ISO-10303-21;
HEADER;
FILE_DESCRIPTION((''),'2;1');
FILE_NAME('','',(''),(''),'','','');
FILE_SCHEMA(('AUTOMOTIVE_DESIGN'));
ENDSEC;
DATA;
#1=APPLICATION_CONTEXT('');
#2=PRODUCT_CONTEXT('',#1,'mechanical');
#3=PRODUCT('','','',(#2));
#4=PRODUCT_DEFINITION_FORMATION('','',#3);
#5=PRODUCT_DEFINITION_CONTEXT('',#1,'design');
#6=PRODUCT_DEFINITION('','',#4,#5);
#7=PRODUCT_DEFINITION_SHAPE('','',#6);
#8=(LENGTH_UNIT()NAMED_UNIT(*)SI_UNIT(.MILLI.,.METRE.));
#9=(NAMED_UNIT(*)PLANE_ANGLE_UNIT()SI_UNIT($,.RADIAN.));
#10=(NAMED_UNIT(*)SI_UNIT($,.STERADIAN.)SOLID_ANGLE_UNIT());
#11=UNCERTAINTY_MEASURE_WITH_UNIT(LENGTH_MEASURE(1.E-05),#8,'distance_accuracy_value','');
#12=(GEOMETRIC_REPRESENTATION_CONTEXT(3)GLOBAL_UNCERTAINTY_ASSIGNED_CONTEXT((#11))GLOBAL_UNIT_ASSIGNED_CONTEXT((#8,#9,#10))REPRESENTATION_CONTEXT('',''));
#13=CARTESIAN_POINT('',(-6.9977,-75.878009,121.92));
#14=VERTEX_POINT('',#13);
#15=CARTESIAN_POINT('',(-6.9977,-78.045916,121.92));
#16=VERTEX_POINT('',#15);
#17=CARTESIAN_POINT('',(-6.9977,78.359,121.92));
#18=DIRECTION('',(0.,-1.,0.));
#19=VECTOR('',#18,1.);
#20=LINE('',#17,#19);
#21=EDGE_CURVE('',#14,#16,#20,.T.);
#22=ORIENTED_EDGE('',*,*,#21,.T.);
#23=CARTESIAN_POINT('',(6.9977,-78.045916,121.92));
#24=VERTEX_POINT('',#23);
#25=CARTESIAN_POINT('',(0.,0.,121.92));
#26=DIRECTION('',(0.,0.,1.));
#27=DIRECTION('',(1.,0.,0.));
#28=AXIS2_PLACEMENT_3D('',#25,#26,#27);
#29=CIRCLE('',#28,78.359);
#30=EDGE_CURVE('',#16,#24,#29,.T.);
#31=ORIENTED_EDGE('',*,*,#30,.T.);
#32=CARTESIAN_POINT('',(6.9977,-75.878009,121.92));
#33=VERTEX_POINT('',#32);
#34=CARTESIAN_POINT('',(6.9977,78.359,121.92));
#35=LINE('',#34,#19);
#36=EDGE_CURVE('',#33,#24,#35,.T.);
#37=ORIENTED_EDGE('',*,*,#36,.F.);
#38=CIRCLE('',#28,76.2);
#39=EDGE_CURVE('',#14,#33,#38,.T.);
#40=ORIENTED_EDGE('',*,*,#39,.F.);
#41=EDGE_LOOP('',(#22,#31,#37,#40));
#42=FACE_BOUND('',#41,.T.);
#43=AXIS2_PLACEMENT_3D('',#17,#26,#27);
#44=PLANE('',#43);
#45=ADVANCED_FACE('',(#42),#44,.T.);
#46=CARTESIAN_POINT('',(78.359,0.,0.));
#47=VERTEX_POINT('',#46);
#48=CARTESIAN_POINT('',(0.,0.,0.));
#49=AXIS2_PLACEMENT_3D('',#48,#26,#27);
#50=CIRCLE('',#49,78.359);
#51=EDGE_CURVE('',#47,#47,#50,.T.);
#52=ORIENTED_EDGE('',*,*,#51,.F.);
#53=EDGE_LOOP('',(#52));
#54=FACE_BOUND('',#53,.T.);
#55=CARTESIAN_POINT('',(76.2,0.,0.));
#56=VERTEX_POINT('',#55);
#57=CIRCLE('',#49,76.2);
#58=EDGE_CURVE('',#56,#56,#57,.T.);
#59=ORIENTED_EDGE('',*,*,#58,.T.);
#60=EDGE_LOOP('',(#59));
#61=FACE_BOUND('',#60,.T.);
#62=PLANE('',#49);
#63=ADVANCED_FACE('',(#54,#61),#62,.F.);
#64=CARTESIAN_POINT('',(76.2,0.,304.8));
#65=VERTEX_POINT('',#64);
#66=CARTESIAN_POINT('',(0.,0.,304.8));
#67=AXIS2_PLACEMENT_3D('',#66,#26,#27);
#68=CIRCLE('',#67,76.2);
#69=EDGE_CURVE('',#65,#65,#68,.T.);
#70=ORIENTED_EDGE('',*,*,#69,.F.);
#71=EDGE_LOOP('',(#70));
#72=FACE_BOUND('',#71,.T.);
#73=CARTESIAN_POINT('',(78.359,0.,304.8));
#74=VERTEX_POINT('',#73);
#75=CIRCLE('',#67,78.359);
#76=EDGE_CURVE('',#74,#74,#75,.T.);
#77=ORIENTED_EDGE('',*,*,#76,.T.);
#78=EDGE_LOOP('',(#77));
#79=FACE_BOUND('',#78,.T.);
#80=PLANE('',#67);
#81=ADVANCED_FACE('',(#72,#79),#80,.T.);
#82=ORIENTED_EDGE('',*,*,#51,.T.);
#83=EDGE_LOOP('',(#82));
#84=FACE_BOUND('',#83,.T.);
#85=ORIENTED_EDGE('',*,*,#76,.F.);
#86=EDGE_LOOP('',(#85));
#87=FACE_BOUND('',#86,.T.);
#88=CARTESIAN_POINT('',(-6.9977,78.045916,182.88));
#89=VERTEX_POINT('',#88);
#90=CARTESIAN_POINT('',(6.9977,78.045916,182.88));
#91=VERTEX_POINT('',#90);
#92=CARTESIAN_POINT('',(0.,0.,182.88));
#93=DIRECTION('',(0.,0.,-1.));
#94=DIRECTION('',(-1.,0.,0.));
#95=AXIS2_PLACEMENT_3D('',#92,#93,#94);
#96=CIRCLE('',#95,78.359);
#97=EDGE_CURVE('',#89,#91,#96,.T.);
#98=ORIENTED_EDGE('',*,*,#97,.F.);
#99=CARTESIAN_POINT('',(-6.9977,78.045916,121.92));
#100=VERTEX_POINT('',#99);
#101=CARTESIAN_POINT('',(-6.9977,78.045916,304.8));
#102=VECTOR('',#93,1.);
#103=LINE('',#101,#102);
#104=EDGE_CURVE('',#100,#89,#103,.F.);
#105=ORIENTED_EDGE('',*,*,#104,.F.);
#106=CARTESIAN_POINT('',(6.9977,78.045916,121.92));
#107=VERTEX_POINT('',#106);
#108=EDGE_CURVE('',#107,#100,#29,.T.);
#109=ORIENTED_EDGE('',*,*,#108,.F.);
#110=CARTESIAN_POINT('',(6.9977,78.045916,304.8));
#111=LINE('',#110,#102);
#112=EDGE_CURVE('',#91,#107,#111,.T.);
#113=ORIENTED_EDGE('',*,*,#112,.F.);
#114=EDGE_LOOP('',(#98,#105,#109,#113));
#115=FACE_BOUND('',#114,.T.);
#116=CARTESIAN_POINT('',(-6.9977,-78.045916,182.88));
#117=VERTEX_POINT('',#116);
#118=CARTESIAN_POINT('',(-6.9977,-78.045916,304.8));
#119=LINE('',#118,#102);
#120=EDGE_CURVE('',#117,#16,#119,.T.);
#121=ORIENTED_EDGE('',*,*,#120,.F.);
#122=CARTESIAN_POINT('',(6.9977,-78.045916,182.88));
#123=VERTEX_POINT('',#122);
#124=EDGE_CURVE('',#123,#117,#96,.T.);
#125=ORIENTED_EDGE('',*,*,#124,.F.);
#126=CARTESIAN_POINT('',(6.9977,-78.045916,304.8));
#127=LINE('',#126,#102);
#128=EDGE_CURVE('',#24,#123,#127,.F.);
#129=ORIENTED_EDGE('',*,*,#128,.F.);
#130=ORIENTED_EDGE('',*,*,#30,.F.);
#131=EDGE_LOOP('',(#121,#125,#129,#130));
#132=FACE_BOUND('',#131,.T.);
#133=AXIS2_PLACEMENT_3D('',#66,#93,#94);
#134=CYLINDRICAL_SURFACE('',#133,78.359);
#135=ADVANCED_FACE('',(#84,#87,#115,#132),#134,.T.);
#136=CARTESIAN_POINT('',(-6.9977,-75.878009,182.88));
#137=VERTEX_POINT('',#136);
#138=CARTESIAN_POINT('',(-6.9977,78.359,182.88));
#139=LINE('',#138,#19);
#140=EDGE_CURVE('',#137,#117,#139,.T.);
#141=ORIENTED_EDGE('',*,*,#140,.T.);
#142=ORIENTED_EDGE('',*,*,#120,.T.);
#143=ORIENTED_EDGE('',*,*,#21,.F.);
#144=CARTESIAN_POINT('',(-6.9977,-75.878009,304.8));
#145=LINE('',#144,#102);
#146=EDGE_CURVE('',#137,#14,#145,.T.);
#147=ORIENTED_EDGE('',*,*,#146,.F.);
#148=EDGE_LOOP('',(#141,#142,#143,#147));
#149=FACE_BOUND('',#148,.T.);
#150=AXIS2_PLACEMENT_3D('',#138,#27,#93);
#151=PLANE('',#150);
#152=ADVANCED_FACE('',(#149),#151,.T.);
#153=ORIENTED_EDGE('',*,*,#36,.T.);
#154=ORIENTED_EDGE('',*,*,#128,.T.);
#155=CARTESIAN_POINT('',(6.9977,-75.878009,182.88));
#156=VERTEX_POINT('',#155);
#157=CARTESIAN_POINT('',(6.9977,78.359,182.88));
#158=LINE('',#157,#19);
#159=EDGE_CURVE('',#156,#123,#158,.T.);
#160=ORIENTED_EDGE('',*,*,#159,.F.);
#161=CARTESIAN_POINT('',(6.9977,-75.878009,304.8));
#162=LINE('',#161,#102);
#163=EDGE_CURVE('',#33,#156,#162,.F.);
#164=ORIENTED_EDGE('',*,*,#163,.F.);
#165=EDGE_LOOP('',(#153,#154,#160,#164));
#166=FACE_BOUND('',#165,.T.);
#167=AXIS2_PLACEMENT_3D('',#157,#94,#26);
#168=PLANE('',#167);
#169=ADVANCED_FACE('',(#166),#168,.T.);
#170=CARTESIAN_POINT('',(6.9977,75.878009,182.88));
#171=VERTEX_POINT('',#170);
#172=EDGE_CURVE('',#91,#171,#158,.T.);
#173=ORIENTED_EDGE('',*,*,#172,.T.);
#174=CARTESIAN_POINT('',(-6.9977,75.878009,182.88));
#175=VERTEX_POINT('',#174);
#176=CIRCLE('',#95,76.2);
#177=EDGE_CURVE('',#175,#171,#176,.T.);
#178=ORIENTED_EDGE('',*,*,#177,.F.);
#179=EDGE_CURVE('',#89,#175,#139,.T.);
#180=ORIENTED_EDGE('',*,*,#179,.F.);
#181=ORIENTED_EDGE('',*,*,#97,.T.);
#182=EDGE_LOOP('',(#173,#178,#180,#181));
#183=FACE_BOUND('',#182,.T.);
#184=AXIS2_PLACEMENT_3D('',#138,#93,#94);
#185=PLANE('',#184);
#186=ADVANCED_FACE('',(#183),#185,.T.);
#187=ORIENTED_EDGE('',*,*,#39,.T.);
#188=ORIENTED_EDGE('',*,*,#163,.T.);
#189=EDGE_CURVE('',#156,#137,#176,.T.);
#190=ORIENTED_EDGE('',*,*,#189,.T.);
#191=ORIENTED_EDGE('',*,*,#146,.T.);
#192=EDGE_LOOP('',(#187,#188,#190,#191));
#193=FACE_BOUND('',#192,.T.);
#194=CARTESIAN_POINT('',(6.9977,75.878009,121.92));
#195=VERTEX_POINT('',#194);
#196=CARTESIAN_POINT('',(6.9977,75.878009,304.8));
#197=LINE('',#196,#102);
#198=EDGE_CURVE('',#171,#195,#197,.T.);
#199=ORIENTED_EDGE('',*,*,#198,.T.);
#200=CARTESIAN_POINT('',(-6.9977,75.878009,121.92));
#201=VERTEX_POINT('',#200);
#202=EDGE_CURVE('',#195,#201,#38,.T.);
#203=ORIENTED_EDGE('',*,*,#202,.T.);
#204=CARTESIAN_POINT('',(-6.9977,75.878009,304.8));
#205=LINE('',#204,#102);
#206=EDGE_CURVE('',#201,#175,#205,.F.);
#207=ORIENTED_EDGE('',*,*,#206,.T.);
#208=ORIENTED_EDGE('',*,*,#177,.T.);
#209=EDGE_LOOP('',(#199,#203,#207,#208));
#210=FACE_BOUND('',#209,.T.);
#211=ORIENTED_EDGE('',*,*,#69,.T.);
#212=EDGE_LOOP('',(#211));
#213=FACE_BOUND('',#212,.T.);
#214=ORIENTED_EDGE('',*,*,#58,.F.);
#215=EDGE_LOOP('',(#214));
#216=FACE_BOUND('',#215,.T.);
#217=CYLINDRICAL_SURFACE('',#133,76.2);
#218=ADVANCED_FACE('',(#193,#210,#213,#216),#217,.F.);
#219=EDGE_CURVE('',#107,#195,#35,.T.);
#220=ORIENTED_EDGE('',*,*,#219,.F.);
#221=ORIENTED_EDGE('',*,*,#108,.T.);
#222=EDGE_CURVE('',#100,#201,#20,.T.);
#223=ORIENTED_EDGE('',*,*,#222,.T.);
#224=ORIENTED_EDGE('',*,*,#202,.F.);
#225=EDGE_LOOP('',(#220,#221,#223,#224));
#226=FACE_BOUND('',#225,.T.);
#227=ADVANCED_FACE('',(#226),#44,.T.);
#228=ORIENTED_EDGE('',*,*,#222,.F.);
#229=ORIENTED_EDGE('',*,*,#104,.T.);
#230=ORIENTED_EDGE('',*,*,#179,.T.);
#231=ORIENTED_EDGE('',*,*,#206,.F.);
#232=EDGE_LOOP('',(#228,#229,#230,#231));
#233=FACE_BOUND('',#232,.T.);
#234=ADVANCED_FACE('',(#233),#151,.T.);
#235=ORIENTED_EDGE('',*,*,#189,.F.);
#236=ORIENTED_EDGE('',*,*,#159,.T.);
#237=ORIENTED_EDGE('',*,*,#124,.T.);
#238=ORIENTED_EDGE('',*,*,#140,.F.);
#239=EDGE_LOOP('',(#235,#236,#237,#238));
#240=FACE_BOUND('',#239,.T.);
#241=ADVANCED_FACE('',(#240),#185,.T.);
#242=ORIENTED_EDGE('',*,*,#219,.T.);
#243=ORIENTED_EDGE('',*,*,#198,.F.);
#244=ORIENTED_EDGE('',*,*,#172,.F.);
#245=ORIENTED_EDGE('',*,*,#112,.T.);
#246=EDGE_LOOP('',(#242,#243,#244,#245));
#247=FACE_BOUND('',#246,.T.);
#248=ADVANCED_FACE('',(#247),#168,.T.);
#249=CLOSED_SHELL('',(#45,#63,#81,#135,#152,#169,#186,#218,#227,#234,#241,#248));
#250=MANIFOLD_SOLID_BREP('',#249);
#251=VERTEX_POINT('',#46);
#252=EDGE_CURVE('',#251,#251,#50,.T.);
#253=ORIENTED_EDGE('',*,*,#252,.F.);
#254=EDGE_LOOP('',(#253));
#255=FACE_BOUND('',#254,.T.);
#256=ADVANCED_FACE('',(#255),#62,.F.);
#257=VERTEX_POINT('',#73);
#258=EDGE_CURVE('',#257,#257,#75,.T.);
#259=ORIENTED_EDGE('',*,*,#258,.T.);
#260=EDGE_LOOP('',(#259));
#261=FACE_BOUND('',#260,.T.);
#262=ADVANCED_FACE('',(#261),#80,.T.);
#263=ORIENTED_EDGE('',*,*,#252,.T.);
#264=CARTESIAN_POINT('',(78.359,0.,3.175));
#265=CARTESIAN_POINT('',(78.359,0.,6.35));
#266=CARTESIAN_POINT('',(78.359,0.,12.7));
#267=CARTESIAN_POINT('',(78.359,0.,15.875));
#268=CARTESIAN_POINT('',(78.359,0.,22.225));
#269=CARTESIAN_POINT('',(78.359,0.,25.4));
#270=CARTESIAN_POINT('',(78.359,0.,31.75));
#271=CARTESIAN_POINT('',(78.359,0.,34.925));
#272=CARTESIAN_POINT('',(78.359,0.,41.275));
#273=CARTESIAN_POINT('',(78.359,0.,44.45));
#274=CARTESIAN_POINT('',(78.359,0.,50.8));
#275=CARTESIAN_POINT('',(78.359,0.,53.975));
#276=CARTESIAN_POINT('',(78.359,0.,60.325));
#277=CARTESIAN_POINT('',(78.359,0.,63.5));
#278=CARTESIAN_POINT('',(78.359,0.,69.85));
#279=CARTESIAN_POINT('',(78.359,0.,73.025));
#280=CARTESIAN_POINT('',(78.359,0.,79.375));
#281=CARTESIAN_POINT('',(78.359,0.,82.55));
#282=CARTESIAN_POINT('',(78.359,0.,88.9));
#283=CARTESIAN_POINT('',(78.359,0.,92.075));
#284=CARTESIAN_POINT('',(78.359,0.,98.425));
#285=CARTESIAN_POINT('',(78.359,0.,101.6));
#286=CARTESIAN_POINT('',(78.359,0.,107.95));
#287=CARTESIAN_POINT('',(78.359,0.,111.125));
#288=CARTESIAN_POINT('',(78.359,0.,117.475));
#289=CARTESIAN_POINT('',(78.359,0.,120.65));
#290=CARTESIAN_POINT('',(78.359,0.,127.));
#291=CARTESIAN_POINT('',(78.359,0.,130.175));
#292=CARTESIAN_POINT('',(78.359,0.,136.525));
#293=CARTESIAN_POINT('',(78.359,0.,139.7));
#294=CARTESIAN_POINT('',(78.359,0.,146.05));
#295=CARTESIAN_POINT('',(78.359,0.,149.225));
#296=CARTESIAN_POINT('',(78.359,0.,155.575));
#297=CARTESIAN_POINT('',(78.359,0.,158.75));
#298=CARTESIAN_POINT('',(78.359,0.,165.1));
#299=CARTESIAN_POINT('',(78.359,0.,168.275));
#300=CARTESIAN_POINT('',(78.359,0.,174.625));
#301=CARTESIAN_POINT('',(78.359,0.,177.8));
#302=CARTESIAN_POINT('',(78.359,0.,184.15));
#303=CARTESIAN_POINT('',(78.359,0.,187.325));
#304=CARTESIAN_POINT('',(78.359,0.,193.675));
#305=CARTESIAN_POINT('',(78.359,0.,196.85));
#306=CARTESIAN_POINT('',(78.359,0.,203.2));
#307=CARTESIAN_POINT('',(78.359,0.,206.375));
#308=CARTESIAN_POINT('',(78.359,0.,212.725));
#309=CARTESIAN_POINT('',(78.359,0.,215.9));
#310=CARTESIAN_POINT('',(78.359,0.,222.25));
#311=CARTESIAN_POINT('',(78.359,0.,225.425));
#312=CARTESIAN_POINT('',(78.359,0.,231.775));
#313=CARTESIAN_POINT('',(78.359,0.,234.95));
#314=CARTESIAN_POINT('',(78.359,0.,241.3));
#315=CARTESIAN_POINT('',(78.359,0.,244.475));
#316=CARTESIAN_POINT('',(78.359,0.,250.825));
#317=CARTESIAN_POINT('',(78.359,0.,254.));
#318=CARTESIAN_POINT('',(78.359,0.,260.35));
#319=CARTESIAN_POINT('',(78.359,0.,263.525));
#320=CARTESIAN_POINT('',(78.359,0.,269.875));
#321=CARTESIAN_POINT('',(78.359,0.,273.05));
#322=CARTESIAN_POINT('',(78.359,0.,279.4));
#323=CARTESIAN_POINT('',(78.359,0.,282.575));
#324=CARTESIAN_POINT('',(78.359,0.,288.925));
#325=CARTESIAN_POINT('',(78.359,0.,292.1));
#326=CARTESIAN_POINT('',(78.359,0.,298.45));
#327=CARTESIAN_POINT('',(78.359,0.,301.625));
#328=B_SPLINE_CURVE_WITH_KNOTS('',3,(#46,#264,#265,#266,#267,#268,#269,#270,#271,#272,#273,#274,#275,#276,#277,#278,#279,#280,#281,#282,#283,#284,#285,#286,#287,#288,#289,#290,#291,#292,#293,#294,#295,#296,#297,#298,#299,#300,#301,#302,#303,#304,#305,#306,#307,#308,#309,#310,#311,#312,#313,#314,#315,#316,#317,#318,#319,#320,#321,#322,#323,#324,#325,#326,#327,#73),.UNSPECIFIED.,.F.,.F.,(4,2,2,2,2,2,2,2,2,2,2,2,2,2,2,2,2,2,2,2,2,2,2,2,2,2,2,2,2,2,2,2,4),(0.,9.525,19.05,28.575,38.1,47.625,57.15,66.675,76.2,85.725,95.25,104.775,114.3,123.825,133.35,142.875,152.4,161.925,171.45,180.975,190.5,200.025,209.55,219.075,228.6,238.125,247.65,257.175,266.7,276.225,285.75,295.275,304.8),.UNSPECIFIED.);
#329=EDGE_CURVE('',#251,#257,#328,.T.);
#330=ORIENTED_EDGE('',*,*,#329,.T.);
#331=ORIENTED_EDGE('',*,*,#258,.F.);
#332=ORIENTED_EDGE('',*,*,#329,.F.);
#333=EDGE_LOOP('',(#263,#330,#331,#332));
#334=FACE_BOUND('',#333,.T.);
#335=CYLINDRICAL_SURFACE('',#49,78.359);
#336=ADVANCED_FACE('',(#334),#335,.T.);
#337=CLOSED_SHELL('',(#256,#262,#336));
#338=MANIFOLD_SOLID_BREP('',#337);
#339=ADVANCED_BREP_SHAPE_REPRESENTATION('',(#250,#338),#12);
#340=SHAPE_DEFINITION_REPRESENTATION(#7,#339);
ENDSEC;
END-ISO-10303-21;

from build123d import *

# Parameters (mm, degrees)
SKETCH2_R               = 78.359
SKETCH2_R_2             = 76.2
BOSS_EXTRUDE1_DEPTH     = 304.8
CUT_EXTRUDE1_DEPTH      = 325.319758513
CUT_EXTRUDE1_DEPTH_BACK = 325.319758513
SKETCH3_W               = 13.9954
SKETCH3_H               = 60.96
SKETCH4_R               = 78.359
BOSS_EXTRUDE2_DEPTH     = 304.8


with BuildPart() as part:
    # Sketch2 → Boss-Extrude1 (new body)
    with BuildSketch(Plane.XY):
        with Locations(Location((0, 0, 0), (0, 0, 180))):
            Circle(SKETCH2_R)
        with Locations(Location((0, 0, 0), (0, 0, 180))):
            Circle(SKETCH2_R_2, mode=Mode.SUBTRACT)
    extrude(amount=BOSS_EXTRUDE1_DEPTH)

    # Sketch3 → Cut-Extrude1 (cut, two sides: drawn at the far end of the back side and taken through both)
    with BuildSketch(Plane(origin=(0, 0, 0), x_dir=(1, 0, 0), z_dir=(0, 1, 0)).offset(-CUT_EXTRUDE1_DEPTH_BACK)):
        with Locations((0, -152.4)):
            Rectangle(SKETCH3_W, SKETCH3_H)
    extrude(amount=CUT_EXTRUDE1_DEPTH + CUT_EXTRUDE1_DEPTH_BACK, mode=Mode.SUBTRACT)


with BuildPart() as body_2:
    # Sketch4 → Boss-Extrude2 (new, through all)
    with BuildSketch(Plane.XY.offset(304.8)):
        Circle(SKETCH4_R)
    extrude(amount=-BOSS_EXTRUDE2_DEPTH)


solid = Compound([part.part, body_2.part])
